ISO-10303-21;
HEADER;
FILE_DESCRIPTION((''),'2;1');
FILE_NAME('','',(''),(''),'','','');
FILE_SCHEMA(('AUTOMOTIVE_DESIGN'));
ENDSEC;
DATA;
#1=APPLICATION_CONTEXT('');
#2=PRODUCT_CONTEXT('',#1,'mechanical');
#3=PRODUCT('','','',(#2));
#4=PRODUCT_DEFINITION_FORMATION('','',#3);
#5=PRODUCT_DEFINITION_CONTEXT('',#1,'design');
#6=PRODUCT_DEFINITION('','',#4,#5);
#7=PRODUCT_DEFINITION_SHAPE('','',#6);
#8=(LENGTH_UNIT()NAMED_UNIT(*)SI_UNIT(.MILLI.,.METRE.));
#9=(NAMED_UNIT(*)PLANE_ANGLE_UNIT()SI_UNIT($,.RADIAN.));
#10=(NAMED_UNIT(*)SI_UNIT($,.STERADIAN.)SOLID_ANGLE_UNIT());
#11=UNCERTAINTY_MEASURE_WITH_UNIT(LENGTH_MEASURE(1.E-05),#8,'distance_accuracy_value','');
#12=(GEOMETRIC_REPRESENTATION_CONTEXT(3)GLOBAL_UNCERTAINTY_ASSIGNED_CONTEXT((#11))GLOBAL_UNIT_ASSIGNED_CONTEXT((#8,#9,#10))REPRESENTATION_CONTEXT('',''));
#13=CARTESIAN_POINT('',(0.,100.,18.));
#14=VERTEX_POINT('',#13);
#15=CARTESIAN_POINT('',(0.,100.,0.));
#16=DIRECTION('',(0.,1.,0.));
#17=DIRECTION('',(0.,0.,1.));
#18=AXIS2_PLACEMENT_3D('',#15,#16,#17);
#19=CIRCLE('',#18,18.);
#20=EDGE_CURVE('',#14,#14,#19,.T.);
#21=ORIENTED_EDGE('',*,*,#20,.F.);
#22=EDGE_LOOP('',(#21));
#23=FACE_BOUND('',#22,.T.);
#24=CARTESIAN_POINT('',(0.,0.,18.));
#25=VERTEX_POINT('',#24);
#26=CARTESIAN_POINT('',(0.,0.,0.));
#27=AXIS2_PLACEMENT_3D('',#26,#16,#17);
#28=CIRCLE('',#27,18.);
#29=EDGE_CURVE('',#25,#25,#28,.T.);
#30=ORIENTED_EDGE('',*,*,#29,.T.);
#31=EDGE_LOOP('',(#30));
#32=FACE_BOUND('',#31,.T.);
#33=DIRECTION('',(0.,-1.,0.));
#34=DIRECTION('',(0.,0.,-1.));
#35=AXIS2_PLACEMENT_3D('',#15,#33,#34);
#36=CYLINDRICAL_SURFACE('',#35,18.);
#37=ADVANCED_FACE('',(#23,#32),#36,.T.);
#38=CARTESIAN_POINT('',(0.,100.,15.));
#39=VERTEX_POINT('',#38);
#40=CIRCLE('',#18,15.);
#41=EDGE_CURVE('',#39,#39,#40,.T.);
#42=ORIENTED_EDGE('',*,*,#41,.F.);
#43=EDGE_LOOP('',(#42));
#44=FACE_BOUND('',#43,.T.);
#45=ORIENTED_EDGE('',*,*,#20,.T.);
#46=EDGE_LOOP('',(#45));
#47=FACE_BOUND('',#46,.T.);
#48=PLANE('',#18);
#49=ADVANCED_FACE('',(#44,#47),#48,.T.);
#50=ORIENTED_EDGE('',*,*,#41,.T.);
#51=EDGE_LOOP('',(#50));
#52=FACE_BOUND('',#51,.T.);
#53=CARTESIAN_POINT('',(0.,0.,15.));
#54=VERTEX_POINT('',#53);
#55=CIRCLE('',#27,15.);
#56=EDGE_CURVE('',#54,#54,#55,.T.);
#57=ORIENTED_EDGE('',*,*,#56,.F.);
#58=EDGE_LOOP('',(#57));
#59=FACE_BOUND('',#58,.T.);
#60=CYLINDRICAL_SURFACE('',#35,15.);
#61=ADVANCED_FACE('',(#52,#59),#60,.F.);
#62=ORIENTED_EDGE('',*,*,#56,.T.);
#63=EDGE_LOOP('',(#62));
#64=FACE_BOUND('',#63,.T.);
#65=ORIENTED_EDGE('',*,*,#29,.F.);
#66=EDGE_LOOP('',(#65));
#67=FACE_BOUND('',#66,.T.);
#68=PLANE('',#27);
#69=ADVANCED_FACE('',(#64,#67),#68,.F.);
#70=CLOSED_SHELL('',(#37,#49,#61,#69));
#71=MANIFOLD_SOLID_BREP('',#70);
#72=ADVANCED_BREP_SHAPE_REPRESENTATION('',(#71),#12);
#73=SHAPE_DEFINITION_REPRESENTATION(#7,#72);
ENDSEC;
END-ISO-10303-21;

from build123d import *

# Parameters (mm, degrees)
SKETCH1_R           = 18
SKETCH1_R_2         = 15
BOSS_EXTRUDE1_DEPTH = 100


with BuildPart() as part:
    # Sketch1 → Boss-Extrude1 (new body)
    with BuildSketch(Plane(origin=(0, 0, 0), x_dir=(1, 0, 0), z_dir=(0, 1, 0))):
        with Locations(Location((0, 0, 0), (0, 0, 270))):  # turned: the seam where the file's is
            Circle(SKETCH1_R)
        with Locations(Location((0, 0, 0), (0, 0, 270))):  # turned: the seam where the file's is
            Circle(SKETCH1_R_2, mode=Mode.SUBTRACT)
    extrude(amount=BOSS_EXTRUDE1_DEPTH)


solid = part.part
